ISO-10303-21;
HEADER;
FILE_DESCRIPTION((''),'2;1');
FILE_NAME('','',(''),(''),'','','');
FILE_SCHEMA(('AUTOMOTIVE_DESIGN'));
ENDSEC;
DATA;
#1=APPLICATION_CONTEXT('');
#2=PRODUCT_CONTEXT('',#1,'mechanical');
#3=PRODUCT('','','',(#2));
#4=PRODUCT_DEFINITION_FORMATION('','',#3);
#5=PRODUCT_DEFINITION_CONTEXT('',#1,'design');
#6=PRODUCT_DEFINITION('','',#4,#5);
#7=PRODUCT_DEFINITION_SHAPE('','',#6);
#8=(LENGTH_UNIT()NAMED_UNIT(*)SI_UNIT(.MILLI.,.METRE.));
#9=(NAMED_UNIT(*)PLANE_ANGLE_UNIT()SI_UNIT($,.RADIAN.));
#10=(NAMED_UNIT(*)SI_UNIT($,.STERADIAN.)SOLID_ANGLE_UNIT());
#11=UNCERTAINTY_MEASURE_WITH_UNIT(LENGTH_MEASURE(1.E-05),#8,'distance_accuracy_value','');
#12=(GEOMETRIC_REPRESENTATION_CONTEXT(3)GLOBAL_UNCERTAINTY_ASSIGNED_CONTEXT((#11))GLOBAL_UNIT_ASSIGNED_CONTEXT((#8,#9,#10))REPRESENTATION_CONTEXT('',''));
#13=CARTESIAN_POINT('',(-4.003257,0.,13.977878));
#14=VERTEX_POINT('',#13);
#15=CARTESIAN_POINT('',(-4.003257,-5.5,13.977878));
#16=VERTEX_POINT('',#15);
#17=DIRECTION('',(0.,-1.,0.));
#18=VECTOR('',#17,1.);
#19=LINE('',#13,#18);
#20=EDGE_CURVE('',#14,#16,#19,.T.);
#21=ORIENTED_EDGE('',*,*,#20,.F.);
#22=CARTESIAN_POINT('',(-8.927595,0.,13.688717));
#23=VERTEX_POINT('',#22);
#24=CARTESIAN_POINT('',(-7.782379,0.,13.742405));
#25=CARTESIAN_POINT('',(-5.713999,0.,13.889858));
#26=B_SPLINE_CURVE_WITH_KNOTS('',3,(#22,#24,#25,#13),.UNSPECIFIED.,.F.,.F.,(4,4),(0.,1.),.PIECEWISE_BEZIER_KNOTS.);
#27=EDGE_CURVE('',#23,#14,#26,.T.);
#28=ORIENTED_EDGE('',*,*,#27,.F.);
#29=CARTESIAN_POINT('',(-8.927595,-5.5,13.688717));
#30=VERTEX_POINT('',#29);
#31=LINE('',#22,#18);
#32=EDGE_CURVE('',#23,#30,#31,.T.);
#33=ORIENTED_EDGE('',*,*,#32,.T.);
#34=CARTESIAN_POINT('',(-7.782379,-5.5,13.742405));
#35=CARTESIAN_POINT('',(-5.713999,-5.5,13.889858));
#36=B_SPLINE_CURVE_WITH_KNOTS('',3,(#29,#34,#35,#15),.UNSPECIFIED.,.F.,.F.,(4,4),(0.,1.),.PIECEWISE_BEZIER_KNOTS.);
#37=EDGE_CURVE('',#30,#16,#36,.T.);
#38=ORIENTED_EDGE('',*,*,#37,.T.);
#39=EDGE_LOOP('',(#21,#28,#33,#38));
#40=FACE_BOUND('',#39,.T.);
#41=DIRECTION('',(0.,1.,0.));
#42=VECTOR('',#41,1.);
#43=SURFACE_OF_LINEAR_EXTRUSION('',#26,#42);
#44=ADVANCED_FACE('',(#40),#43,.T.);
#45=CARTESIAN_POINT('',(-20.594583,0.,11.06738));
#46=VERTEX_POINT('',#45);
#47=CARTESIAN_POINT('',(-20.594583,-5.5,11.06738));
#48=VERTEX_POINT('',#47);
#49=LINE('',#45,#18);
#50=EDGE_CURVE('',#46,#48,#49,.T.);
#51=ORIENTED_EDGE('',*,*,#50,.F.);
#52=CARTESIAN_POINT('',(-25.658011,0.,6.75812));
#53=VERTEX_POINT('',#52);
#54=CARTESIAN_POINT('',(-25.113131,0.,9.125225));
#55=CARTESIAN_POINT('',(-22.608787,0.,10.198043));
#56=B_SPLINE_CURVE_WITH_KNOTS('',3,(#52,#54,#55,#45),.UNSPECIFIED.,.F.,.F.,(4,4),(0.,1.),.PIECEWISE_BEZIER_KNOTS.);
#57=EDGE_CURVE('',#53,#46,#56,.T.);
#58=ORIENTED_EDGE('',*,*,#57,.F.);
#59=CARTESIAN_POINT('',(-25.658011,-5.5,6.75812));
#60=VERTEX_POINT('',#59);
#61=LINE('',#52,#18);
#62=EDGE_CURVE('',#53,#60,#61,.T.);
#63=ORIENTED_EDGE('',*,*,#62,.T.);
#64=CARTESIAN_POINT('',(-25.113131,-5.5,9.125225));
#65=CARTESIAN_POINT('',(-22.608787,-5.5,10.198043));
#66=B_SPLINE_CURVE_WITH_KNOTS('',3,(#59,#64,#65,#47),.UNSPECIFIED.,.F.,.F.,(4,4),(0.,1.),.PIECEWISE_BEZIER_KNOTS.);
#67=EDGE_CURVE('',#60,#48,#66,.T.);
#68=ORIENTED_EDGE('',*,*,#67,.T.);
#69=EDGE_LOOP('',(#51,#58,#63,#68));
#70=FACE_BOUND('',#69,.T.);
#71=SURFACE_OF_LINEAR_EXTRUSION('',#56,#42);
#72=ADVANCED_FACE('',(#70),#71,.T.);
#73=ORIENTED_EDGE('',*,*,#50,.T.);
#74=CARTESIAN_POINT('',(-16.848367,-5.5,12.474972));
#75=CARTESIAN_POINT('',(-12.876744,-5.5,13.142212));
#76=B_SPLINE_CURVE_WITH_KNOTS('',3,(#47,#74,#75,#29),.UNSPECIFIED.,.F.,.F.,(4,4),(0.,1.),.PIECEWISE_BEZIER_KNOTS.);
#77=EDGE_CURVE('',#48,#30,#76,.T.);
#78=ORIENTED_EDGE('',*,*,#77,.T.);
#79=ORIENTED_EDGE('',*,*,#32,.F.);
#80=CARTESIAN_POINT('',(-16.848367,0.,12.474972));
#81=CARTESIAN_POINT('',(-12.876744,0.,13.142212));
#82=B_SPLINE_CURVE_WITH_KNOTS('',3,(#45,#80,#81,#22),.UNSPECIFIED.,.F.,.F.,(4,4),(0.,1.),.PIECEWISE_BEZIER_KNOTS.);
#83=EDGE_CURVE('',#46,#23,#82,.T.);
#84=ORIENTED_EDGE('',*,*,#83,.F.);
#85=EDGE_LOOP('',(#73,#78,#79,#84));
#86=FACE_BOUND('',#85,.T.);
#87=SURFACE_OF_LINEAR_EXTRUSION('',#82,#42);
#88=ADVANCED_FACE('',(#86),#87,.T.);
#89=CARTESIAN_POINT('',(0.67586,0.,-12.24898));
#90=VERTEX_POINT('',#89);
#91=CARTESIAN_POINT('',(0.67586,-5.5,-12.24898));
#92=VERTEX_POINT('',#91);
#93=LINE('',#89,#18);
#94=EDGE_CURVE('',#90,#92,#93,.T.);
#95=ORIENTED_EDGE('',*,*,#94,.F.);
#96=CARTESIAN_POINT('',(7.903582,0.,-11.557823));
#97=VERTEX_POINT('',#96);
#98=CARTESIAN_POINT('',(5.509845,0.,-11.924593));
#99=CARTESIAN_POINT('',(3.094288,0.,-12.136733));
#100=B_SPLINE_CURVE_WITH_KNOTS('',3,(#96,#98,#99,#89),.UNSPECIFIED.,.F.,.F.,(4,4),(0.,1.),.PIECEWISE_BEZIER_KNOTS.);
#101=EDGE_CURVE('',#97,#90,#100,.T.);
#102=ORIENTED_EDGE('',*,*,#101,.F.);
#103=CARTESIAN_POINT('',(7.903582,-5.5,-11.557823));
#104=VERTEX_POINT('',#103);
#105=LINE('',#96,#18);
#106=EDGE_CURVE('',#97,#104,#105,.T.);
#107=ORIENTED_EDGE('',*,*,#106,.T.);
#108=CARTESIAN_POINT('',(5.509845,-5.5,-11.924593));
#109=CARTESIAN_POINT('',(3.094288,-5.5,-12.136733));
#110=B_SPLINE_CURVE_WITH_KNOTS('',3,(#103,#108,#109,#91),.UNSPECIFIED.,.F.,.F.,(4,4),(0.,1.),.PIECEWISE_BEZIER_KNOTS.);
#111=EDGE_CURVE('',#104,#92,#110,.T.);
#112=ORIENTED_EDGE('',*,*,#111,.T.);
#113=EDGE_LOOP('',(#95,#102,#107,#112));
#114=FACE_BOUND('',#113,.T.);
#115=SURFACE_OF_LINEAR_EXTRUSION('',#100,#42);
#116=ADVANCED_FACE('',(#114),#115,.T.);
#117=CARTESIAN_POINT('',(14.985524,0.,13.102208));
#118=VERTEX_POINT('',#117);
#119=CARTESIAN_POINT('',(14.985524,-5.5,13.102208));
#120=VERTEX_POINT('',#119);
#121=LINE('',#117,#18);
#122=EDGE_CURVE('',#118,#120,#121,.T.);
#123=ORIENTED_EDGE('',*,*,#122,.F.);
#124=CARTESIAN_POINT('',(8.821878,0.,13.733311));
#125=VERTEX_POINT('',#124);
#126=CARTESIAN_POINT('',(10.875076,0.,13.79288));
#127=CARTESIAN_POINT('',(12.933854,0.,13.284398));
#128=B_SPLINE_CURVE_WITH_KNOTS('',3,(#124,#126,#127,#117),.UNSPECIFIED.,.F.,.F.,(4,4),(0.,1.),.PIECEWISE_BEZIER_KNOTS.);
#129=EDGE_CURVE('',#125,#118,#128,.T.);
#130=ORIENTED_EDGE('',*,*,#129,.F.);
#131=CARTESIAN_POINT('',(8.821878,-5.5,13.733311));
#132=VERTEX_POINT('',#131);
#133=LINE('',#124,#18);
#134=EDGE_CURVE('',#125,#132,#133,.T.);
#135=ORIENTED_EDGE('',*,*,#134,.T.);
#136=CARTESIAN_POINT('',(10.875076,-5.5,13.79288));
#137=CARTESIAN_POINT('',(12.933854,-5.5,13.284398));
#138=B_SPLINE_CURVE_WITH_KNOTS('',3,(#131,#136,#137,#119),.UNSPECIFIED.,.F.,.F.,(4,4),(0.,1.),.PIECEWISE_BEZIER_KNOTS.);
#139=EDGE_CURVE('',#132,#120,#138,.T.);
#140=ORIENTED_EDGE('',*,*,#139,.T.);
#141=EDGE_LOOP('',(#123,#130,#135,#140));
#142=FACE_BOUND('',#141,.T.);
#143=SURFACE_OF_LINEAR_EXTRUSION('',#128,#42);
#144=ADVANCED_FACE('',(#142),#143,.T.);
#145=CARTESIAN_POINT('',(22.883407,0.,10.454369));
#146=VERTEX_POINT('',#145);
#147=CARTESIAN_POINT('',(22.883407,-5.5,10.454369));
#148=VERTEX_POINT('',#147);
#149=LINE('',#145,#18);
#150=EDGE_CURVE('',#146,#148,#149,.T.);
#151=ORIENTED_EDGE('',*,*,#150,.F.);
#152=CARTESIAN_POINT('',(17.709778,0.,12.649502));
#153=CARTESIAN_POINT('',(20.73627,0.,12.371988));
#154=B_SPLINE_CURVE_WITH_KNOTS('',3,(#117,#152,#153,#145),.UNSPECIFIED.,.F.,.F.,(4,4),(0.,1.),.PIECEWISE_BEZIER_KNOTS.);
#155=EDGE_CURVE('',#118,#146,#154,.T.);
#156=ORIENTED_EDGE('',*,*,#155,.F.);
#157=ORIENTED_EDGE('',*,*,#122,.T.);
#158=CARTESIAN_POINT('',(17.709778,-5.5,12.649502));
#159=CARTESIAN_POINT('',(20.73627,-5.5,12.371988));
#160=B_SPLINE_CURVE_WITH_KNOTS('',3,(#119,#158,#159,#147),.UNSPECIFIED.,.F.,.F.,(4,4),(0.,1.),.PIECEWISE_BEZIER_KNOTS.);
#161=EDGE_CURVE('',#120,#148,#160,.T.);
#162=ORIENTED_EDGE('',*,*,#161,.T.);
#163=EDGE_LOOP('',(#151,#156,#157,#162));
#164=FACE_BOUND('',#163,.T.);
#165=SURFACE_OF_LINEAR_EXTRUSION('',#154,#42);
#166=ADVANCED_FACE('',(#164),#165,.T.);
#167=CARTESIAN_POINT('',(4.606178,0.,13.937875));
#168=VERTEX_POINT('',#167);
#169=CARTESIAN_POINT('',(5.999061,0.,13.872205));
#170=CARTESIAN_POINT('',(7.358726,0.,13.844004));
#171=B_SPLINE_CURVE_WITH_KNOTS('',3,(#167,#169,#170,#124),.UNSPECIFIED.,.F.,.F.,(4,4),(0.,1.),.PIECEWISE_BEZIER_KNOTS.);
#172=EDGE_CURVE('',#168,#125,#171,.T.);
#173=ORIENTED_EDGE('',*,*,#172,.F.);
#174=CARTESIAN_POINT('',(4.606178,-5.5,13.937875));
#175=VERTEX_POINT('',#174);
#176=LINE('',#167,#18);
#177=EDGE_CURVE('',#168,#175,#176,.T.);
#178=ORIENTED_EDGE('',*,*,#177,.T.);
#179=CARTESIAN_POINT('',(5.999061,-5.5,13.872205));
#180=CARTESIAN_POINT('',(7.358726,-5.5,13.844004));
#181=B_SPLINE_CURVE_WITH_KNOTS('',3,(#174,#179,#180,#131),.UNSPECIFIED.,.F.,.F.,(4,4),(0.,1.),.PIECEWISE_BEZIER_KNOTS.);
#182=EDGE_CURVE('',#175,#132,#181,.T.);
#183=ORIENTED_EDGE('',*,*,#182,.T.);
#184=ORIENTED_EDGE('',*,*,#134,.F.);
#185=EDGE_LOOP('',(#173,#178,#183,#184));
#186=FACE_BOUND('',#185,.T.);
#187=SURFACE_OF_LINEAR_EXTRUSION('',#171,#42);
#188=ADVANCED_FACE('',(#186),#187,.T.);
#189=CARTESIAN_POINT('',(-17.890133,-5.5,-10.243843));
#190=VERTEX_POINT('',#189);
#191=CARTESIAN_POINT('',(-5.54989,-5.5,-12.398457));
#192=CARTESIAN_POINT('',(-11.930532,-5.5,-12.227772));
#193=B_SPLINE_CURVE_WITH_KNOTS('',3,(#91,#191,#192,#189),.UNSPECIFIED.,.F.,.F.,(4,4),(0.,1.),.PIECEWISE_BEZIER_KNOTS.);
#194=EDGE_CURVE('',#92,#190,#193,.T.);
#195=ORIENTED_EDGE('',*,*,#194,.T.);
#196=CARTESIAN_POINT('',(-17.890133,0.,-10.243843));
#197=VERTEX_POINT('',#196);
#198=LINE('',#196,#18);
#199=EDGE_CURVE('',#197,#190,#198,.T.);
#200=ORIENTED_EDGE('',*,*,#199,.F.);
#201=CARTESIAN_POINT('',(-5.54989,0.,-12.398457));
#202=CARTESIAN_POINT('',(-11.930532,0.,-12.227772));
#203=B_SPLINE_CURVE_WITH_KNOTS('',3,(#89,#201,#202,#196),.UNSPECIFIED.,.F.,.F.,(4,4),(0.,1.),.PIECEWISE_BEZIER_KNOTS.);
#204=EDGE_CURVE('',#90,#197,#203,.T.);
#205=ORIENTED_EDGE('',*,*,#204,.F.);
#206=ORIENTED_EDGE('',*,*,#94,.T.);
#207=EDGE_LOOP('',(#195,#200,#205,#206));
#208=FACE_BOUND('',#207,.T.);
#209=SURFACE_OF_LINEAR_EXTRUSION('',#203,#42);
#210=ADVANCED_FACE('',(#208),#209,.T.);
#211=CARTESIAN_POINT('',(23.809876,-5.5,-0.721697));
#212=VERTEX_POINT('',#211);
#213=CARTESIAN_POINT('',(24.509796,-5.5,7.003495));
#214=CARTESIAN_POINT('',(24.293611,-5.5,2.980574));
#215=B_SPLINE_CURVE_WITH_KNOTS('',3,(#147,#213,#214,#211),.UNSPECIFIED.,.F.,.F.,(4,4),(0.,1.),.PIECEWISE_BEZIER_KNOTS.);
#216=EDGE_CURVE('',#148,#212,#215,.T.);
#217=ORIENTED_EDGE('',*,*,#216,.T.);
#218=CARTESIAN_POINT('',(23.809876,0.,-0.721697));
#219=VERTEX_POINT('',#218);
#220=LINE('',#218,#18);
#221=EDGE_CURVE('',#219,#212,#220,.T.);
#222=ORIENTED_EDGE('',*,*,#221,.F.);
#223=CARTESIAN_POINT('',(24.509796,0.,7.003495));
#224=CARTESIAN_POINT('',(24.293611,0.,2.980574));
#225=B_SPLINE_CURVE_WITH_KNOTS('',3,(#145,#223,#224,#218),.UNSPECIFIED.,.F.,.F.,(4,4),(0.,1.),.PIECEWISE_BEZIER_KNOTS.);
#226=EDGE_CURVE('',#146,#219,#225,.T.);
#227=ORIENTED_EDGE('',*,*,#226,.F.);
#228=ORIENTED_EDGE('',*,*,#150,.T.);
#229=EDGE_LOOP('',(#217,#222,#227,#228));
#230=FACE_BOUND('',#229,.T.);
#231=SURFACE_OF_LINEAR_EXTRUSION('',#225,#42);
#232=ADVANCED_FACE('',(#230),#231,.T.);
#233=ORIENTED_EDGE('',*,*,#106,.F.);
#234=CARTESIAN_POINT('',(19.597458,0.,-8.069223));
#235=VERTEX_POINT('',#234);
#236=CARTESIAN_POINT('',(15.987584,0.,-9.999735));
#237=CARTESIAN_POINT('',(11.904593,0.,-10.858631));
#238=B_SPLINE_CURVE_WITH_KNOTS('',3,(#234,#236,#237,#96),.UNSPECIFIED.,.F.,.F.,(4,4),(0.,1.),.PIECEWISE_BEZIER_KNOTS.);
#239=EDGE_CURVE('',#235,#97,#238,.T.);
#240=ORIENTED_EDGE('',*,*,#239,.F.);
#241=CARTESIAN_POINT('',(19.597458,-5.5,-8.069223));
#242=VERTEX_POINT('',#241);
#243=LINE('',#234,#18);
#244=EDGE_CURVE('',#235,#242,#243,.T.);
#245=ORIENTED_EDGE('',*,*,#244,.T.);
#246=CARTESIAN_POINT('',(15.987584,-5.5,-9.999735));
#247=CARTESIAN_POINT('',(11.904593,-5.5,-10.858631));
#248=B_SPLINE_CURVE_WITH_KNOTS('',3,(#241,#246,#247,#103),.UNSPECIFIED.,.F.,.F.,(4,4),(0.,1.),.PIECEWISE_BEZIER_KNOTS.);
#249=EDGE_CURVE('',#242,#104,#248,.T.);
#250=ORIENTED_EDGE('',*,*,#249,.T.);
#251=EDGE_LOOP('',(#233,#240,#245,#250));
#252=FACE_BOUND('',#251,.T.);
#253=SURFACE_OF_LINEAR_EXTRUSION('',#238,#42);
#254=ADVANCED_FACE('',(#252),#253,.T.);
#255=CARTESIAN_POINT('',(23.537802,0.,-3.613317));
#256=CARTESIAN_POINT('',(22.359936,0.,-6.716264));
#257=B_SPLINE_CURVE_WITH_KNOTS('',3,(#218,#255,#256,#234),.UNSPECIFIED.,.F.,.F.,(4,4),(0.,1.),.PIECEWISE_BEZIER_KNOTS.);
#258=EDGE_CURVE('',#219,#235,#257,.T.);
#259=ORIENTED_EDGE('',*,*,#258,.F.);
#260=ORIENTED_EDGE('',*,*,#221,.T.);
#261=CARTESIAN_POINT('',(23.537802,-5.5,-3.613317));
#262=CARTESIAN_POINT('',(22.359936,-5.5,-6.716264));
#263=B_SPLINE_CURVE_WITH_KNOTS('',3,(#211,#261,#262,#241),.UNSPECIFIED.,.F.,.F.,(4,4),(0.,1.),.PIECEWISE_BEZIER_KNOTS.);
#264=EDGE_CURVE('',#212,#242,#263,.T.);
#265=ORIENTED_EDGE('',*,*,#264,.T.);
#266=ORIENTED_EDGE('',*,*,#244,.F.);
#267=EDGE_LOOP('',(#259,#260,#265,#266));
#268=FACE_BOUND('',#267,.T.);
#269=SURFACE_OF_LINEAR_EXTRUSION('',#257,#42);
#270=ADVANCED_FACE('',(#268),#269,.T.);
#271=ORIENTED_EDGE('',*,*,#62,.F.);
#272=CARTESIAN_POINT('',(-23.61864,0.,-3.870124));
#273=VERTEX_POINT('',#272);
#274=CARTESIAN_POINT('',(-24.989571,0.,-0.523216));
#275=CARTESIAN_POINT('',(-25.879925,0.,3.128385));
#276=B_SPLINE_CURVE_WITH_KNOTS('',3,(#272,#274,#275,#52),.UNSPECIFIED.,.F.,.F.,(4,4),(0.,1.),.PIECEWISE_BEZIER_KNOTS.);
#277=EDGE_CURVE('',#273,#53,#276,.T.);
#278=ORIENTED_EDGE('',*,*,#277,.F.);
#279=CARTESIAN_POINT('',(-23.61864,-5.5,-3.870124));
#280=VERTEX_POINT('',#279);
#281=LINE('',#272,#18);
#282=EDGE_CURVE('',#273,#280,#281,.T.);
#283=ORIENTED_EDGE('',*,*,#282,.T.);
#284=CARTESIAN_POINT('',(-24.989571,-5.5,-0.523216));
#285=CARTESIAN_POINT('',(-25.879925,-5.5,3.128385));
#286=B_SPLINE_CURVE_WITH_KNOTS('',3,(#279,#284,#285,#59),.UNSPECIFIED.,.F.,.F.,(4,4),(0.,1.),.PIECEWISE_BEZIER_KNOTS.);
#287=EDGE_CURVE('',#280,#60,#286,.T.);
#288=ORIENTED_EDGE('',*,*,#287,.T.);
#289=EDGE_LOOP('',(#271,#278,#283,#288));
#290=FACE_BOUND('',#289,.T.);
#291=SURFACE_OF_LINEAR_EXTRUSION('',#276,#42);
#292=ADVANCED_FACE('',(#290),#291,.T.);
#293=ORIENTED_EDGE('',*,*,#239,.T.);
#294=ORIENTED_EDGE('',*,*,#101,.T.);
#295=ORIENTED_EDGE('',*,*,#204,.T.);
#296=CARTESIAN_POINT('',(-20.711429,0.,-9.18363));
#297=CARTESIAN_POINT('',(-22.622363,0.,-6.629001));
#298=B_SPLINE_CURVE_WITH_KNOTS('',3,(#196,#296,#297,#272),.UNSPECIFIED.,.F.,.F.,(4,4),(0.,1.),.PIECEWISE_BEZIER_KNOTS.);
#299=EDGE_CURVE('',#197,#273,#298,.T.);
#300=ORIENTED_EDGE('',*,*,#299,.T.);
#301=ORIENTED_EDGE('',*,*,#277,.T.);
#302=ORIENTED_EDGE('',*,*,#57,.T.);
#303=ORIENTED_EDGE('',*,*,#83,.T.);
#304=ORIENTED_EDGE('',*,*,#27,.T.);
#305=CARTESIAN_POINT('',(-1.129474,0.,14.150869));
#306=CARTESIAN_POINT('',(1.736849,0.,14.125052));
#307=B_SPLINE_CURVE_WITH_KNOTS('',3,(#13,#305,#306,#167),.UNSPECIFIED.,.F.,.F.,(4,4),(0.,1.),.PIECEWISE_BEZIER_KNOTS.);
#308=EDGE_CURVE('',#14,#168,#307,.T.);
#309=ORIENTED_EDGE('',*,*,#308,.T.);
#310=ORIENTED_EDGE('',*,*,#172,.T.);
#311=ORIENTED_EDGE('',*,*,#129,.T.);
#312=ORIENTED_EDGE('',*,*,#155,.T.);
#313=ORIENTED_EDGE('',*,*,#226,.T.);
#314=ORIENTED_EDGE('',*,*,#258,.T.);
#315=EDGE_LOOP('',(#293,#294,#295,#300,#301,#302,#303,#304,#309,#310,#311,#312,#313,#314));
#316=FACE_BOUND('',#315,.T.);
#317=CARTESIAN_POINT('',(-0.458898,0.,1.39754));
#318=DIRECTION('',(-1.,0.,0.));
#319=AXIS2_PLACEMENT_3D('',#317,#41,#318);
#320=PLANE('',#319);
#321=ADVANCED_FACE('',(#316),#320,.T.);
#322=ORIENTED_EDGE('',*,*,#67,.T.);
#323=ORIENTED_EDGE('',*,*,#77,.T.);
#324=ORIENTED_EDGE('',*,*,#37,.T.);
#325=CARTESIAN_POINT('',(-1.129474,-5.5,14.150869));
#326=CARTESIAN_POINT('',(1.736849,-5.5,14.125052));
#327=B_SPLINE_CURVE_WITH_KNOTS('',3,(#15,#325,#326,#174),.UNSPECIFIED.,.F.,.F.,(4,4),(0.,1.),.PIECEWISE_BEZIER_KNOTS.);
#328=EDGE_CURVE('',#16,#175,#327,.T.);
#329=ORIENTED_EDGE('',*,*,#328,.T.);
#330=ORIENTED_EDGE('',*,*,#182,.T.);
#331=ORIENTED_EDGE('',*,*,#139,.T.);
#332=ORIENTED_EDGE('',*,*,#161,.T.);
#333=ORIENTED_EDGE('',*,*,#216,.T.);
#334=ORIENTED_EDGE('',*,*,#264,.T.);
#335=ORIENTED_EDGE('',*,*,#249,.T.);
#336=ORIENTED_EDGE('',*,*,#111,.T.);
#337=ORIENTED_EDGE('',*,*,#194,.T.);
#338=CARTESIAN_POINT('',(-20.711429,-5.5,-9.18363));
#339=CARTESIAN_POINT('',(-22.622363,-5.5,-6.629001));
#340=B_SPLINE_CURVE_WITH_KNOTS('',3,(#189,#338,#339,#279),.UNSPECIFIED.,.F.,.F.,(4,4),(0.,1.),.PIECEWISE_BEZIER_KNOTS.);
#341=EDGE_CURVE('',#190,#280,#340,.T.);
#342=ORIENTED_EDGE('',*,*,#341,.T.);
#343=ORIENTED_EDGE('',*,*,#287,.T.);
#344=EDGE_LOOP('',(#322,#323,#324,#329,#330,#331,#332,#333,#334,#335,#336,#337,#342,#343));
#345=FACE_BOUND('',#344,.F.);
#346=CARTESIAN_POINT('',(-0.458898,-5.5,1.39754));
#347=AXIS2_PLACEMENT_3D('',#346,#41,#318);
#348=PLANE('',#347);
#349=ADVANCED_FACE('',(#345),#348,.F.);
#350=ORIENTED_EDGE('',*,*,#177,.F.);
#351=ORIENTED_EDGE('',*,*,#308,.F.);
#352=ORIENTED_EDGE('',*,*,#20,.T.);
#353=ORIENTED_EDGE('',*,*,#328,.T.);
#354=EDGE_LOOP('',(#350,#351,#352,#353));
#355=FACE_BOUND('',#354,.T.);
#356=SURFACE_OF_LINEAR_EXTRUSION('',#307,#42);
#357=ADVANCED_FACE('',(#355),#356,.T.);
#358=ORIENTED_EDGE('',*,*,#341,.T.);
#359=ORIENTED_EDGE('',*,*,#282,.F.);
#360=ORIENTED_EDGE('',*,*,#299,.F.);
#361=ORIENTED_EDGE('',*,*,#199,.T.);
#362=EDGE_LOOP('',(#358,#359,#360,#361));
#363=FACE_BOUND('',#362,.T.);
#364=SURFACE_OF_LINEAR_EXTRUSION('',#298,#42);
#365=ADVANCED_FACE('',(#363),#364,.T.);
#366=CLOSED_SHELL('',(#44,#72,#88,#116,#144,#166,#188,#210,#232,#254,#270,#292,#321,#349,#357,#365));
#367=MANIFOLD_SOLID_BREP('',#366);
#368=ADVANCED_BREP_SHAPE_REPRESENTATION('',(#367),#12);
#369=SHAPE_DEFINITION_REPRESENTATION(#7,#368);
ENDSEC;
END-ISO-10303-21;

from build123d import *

# Parameters (mm, degrees)
F1_DEPTH = 5.5


with BuildPart() as f1:
    # F0 (on Front) → F1 (new body)
    with BuildSketch(Plane.XZ):
        with BuildLine():
            add(Edge.make_bspline(
                [(0.6758598093, -12.2489799833), (-5.5498903201, -12.3984574233), (-11.9305317274, -12.227772475), (-17.890133, -10.243843)],
                knots=[0, 0, 0, 0, 1, 1, 1, 1], degree=3))
            add(Edge.make_bspline(
                [(7.9035817913, -11.5578230353), (5.5098445254, -11.9245932099), (3.0942876494, -12.1367334196), (0.6758598093, -12.2489799833)],
                knots=[0, 0, 0, 0, 1, 1, 1, 1], degree=3))
            add(Edge.make_bspline(
                [(19.5974576154, -8.0692228566), (15.9875835953, -9.9997347648), (11.9045931578, -10.8586310612), (7.9035817913, -11.5578230353)],
                knots=[0, 0, 0, 0, 1, 1, 1, 1], degree=3))
            add(Edge.make_bspline(
                [(23.809875817, -0.7216973936), (23.5378016009, -3.6133165214), (22.359936086, -6.7162637207), (19.5974576154, -8.0692228566)],
                knots=[0, 0, 0, 0, 1, 1, 1, 1], degree=3))
            add(Edge.make_bspline(
                [(22.8834069818, 10.4543693851), (24.509795718, 7.003494691), (24.2936108362, 2.9805741757), (23.809875817, -0.7216973936)],
                knots=[0, 0, 0, 0, 1, 1, 1, 1], degree=3))
            add(Edge.make_bspline(
                [(14.9855240471, 13.1022079), (17.7097783424, 12.6495019359), (20.736270004, 12.3719879477), (22.8834069818, 10.4543693851)],
                knots=[0, 0, 0, 0, 1, 1, 1, 1], degree=3))
            add(Edge.make_bspline(
                [(8.8218775748, 13.7333114735), (10.8750758251, 13.7928802042), (12.9338541865, 13.2843984819), (14.9855240471, 13.1022079)],
                knots=[0, 0, 0, 0, 1, 1, 1, 1], degree=3))
            add(Edge.make_bspline(
                [(4.6061780692, 13.9378751561), (5.9990608765, 13.8722050111), (7.3587261907, 13.8440037466), (8.8218775748, 13.7333114735)],
                knots=[0, 0, 0, 0, 1, 1, 1, 1], degree=3))
            add(Edge.make_bspline(
                [(-4.0032574468, 13.977877938), (-1.1294736911, 14.1508692375), (1.7368486959, 14.1250515783), (4.6061780692, 13.9378751561)],
                knots=[0, 0, 0, 0, 1, 1, 1, 1], degree=3))
            add(Edge.make_bspline(
                [(-8.927594553, 13.6887167614), (-7.7823789155, 13.7424052951), (-5.7139993513, 13.8898579963), (-4.0032574468, 13.977877938)],
                knots=[0, 0, 0, 0, 1, 1, 1, 1], degree=3))
            add(Edge.make_bspline(
                [(-20.5945826061, 11.0673803347), (-16.8483672121, 12.4749721553), (-12.8767438908, 13.1422122891), (-8.927594553, 13.6887167614)],
                knots=[0, 0, 0, 0, 1, 1, 1, 1], degree=3))
            add(Edge.make_bspline(
                [(-25.6580106135, 6.7581202969), (-25.1131305703, 9.12522515), (-22.6087873824, 10.1980426045), (-20.5945826061, 11.0673803347)],
                knots=[0, 0, 0, 0, 1, 1, 1, 1], degree=3))
            add(Edge.make_bspline(
                [(-23.6186404015, -3.8701239523), (-24.9895708376, -0.5232160867), (-25.8799250596, 3.1283847658), (-25.6580106135, 6.7581202969)],
                knots=[0, 0, 0, 0, 1, 1, 1, 1], degree=3))
            add(Edge.make_bspline(
                [(-17.890133, -10.243843), (-20.7114287371, -9.1836302255), (-22.6223625823, -6.6290007447), (-23.6186404015, -3.8701239523)],
                knots=[0, 0, 0, 0, 1, 1, 1, 1], degree=3))
        make_face()
    extrude(amount=F1_DEPTH)


solid = f1.part
